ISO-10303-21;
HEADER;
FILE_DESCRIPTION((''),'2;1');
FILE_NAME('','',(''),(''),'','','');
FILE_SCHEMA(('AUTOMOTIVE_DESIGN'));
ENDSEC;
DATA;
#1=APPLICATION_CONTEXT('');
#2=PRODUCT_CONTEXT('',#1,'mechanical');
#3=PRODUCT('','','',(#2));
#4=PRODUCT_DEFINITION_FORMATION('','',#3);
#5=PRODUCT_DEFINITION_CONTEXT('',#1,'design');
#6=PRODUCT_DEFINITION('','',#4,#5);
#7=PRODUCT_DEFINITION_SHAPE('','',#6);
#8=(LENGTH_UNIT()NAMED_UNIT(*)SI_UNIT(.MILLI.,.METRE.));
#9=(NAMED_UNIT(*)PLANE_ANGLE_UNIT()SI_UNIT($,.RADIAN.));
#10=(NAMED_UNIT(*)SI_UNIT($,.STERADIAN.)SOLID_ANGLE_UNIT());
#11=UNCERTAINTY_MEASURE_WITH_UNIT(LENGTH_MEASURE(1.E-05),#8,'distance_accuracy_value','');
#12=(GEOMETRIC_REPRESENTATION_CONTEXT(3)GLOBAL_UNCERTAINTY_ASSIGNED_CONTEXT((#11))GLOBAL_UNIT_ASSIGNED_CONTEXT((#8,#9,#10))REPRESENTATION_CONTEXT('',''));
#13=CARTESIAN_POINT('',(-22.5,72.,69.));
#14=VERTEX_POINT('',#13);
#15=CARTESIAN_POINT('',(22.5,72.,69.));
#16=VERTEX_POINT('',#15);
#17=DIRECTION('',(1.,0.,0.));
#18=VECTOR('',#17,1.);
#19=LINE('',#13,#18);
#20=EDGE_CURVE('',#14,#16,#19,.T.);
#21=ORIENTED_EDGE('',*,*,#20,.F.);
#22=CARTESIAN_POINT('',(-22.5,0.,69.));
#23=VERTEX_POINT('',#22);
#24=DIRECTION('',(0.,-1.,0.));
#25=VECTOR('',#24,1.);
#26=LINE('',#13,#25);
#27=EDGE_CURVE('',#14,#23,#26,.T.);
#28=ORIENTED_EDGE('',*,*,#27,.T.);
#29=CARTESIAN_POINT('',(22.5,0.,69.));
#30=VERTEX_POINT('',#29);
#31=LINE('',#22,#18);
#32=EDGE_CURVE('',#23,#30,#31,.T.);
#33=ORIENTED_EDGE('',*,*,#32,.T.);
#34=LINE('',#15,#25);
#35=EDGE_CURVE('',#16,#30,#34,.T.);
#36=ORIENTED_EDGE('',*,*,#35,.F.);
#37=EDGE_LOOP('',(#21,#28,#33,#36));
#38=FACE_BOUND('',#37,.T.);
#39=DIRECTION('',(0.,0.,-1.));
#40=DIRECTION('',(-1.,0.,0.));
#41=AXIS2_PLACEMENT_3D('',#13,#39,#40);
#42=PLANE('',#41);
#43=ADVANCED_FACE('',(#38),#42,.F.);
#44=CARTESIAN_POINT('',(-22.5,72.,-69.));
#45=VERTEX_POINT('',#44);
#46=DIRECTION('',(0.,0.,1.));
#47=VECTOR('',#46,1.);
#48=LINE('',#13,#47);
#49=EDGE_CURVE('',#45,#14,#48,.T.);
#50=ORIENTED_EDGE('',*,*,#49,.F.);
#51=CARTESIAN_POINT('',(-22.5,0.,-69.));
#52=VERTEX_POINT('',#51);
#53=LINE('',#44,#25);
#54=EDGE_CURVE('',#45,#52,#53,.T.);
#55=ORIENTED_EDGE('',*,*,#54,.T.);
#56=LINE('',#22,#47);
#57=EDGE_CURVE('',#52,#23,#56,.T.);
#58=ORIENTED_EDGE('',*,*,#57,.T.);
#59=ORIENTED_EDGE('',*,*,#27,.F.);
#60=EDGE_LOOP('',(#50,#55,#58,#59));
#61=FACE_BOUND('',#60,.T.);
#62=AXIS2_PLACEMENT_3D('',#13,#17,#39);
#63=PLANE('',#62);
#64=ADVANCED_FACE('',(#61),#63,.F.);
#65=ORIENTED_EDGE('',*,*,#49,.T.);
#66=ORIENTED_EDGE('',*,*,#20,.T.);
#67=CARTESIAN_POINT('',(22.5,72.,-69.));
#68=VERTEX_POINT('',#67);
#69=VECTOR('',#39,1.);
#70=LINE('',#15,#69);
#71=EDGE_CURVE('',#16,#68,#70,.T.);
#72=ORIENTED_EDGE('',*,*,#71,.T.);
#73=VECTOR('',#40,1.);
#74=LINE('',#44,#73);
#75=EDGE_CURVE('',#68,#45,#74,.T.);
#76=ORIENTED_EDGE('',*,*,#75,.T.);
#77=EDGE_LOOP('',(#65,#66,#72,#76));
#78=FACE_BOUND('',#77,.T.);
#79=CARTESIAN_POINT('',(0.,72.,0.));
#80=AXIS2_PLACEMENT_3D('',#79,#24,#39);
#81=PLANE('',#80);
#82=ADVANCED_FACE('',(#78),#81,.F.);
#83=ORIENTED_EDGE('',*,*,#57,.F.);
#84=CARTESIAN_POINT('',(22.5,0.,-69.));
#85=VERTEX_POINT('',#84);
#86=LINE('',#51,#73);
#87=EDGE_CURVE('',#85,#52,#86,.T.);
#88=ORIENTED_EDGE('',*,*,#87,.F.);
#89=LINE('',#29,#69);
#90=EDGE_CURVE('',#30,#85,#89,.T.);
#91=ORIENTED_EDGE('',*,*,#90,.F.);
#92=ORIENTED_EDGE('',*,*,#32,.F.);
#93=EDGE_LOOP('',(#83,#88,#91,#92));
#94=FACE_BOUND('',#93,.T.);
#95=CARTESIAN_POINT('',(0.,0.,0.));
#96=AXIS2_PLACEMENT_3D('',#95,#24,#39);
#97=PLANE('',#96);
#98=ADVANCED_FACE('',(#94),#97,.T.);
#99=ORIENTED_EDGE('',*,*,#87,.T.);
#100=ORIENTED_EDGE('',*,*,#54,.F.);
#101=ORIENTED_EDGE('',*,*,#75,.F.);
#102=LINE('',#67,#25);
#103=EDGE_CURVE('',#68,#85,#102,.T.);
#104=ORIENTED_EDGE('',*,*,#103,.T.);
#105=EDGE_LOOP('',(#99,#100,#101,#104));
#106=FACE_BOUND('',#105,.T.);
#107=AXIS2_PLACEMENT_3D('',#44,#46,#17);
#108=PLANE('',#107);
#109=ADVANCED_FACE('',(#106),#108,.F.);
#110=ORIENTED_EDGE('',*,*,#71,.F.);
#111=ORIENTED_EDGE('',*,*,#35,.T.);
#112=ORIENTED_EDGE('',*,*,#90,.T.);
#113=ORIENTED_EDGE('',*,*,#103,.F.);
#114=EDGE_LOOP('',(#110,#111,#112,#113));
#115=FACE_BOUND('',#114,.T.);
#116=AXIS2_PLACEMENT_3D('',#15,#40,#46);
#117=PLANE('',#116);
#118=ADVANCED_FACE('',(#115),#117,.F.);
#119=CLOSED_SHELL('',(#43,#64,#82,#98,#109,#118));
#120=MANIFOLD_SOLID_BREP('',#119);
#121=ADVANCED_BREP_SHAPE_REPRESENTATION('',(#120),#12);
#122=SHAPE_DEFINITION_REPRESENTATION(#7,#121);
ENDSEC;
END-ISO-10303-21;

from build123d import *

# Parameters (mm, degrees)
SKETCH2_W               = 45
SKETCH2_H               = 138
F_6500MAH_BATTERY_DEPTH = 72


with BuildPart() as part:
    # Sketch2 → 6500mah battery (new body)
    with BuildSketch(Plane(origin=(0, 0, 0), x_dir=(1, 0, 0), z_dir=(0, 1, 0))):
        Rectangle(SKETCH2_W, SKETCH2_H)
    extrude(amount=F_6500MAH_BATTERY_DEPTH)


solid = part.part
